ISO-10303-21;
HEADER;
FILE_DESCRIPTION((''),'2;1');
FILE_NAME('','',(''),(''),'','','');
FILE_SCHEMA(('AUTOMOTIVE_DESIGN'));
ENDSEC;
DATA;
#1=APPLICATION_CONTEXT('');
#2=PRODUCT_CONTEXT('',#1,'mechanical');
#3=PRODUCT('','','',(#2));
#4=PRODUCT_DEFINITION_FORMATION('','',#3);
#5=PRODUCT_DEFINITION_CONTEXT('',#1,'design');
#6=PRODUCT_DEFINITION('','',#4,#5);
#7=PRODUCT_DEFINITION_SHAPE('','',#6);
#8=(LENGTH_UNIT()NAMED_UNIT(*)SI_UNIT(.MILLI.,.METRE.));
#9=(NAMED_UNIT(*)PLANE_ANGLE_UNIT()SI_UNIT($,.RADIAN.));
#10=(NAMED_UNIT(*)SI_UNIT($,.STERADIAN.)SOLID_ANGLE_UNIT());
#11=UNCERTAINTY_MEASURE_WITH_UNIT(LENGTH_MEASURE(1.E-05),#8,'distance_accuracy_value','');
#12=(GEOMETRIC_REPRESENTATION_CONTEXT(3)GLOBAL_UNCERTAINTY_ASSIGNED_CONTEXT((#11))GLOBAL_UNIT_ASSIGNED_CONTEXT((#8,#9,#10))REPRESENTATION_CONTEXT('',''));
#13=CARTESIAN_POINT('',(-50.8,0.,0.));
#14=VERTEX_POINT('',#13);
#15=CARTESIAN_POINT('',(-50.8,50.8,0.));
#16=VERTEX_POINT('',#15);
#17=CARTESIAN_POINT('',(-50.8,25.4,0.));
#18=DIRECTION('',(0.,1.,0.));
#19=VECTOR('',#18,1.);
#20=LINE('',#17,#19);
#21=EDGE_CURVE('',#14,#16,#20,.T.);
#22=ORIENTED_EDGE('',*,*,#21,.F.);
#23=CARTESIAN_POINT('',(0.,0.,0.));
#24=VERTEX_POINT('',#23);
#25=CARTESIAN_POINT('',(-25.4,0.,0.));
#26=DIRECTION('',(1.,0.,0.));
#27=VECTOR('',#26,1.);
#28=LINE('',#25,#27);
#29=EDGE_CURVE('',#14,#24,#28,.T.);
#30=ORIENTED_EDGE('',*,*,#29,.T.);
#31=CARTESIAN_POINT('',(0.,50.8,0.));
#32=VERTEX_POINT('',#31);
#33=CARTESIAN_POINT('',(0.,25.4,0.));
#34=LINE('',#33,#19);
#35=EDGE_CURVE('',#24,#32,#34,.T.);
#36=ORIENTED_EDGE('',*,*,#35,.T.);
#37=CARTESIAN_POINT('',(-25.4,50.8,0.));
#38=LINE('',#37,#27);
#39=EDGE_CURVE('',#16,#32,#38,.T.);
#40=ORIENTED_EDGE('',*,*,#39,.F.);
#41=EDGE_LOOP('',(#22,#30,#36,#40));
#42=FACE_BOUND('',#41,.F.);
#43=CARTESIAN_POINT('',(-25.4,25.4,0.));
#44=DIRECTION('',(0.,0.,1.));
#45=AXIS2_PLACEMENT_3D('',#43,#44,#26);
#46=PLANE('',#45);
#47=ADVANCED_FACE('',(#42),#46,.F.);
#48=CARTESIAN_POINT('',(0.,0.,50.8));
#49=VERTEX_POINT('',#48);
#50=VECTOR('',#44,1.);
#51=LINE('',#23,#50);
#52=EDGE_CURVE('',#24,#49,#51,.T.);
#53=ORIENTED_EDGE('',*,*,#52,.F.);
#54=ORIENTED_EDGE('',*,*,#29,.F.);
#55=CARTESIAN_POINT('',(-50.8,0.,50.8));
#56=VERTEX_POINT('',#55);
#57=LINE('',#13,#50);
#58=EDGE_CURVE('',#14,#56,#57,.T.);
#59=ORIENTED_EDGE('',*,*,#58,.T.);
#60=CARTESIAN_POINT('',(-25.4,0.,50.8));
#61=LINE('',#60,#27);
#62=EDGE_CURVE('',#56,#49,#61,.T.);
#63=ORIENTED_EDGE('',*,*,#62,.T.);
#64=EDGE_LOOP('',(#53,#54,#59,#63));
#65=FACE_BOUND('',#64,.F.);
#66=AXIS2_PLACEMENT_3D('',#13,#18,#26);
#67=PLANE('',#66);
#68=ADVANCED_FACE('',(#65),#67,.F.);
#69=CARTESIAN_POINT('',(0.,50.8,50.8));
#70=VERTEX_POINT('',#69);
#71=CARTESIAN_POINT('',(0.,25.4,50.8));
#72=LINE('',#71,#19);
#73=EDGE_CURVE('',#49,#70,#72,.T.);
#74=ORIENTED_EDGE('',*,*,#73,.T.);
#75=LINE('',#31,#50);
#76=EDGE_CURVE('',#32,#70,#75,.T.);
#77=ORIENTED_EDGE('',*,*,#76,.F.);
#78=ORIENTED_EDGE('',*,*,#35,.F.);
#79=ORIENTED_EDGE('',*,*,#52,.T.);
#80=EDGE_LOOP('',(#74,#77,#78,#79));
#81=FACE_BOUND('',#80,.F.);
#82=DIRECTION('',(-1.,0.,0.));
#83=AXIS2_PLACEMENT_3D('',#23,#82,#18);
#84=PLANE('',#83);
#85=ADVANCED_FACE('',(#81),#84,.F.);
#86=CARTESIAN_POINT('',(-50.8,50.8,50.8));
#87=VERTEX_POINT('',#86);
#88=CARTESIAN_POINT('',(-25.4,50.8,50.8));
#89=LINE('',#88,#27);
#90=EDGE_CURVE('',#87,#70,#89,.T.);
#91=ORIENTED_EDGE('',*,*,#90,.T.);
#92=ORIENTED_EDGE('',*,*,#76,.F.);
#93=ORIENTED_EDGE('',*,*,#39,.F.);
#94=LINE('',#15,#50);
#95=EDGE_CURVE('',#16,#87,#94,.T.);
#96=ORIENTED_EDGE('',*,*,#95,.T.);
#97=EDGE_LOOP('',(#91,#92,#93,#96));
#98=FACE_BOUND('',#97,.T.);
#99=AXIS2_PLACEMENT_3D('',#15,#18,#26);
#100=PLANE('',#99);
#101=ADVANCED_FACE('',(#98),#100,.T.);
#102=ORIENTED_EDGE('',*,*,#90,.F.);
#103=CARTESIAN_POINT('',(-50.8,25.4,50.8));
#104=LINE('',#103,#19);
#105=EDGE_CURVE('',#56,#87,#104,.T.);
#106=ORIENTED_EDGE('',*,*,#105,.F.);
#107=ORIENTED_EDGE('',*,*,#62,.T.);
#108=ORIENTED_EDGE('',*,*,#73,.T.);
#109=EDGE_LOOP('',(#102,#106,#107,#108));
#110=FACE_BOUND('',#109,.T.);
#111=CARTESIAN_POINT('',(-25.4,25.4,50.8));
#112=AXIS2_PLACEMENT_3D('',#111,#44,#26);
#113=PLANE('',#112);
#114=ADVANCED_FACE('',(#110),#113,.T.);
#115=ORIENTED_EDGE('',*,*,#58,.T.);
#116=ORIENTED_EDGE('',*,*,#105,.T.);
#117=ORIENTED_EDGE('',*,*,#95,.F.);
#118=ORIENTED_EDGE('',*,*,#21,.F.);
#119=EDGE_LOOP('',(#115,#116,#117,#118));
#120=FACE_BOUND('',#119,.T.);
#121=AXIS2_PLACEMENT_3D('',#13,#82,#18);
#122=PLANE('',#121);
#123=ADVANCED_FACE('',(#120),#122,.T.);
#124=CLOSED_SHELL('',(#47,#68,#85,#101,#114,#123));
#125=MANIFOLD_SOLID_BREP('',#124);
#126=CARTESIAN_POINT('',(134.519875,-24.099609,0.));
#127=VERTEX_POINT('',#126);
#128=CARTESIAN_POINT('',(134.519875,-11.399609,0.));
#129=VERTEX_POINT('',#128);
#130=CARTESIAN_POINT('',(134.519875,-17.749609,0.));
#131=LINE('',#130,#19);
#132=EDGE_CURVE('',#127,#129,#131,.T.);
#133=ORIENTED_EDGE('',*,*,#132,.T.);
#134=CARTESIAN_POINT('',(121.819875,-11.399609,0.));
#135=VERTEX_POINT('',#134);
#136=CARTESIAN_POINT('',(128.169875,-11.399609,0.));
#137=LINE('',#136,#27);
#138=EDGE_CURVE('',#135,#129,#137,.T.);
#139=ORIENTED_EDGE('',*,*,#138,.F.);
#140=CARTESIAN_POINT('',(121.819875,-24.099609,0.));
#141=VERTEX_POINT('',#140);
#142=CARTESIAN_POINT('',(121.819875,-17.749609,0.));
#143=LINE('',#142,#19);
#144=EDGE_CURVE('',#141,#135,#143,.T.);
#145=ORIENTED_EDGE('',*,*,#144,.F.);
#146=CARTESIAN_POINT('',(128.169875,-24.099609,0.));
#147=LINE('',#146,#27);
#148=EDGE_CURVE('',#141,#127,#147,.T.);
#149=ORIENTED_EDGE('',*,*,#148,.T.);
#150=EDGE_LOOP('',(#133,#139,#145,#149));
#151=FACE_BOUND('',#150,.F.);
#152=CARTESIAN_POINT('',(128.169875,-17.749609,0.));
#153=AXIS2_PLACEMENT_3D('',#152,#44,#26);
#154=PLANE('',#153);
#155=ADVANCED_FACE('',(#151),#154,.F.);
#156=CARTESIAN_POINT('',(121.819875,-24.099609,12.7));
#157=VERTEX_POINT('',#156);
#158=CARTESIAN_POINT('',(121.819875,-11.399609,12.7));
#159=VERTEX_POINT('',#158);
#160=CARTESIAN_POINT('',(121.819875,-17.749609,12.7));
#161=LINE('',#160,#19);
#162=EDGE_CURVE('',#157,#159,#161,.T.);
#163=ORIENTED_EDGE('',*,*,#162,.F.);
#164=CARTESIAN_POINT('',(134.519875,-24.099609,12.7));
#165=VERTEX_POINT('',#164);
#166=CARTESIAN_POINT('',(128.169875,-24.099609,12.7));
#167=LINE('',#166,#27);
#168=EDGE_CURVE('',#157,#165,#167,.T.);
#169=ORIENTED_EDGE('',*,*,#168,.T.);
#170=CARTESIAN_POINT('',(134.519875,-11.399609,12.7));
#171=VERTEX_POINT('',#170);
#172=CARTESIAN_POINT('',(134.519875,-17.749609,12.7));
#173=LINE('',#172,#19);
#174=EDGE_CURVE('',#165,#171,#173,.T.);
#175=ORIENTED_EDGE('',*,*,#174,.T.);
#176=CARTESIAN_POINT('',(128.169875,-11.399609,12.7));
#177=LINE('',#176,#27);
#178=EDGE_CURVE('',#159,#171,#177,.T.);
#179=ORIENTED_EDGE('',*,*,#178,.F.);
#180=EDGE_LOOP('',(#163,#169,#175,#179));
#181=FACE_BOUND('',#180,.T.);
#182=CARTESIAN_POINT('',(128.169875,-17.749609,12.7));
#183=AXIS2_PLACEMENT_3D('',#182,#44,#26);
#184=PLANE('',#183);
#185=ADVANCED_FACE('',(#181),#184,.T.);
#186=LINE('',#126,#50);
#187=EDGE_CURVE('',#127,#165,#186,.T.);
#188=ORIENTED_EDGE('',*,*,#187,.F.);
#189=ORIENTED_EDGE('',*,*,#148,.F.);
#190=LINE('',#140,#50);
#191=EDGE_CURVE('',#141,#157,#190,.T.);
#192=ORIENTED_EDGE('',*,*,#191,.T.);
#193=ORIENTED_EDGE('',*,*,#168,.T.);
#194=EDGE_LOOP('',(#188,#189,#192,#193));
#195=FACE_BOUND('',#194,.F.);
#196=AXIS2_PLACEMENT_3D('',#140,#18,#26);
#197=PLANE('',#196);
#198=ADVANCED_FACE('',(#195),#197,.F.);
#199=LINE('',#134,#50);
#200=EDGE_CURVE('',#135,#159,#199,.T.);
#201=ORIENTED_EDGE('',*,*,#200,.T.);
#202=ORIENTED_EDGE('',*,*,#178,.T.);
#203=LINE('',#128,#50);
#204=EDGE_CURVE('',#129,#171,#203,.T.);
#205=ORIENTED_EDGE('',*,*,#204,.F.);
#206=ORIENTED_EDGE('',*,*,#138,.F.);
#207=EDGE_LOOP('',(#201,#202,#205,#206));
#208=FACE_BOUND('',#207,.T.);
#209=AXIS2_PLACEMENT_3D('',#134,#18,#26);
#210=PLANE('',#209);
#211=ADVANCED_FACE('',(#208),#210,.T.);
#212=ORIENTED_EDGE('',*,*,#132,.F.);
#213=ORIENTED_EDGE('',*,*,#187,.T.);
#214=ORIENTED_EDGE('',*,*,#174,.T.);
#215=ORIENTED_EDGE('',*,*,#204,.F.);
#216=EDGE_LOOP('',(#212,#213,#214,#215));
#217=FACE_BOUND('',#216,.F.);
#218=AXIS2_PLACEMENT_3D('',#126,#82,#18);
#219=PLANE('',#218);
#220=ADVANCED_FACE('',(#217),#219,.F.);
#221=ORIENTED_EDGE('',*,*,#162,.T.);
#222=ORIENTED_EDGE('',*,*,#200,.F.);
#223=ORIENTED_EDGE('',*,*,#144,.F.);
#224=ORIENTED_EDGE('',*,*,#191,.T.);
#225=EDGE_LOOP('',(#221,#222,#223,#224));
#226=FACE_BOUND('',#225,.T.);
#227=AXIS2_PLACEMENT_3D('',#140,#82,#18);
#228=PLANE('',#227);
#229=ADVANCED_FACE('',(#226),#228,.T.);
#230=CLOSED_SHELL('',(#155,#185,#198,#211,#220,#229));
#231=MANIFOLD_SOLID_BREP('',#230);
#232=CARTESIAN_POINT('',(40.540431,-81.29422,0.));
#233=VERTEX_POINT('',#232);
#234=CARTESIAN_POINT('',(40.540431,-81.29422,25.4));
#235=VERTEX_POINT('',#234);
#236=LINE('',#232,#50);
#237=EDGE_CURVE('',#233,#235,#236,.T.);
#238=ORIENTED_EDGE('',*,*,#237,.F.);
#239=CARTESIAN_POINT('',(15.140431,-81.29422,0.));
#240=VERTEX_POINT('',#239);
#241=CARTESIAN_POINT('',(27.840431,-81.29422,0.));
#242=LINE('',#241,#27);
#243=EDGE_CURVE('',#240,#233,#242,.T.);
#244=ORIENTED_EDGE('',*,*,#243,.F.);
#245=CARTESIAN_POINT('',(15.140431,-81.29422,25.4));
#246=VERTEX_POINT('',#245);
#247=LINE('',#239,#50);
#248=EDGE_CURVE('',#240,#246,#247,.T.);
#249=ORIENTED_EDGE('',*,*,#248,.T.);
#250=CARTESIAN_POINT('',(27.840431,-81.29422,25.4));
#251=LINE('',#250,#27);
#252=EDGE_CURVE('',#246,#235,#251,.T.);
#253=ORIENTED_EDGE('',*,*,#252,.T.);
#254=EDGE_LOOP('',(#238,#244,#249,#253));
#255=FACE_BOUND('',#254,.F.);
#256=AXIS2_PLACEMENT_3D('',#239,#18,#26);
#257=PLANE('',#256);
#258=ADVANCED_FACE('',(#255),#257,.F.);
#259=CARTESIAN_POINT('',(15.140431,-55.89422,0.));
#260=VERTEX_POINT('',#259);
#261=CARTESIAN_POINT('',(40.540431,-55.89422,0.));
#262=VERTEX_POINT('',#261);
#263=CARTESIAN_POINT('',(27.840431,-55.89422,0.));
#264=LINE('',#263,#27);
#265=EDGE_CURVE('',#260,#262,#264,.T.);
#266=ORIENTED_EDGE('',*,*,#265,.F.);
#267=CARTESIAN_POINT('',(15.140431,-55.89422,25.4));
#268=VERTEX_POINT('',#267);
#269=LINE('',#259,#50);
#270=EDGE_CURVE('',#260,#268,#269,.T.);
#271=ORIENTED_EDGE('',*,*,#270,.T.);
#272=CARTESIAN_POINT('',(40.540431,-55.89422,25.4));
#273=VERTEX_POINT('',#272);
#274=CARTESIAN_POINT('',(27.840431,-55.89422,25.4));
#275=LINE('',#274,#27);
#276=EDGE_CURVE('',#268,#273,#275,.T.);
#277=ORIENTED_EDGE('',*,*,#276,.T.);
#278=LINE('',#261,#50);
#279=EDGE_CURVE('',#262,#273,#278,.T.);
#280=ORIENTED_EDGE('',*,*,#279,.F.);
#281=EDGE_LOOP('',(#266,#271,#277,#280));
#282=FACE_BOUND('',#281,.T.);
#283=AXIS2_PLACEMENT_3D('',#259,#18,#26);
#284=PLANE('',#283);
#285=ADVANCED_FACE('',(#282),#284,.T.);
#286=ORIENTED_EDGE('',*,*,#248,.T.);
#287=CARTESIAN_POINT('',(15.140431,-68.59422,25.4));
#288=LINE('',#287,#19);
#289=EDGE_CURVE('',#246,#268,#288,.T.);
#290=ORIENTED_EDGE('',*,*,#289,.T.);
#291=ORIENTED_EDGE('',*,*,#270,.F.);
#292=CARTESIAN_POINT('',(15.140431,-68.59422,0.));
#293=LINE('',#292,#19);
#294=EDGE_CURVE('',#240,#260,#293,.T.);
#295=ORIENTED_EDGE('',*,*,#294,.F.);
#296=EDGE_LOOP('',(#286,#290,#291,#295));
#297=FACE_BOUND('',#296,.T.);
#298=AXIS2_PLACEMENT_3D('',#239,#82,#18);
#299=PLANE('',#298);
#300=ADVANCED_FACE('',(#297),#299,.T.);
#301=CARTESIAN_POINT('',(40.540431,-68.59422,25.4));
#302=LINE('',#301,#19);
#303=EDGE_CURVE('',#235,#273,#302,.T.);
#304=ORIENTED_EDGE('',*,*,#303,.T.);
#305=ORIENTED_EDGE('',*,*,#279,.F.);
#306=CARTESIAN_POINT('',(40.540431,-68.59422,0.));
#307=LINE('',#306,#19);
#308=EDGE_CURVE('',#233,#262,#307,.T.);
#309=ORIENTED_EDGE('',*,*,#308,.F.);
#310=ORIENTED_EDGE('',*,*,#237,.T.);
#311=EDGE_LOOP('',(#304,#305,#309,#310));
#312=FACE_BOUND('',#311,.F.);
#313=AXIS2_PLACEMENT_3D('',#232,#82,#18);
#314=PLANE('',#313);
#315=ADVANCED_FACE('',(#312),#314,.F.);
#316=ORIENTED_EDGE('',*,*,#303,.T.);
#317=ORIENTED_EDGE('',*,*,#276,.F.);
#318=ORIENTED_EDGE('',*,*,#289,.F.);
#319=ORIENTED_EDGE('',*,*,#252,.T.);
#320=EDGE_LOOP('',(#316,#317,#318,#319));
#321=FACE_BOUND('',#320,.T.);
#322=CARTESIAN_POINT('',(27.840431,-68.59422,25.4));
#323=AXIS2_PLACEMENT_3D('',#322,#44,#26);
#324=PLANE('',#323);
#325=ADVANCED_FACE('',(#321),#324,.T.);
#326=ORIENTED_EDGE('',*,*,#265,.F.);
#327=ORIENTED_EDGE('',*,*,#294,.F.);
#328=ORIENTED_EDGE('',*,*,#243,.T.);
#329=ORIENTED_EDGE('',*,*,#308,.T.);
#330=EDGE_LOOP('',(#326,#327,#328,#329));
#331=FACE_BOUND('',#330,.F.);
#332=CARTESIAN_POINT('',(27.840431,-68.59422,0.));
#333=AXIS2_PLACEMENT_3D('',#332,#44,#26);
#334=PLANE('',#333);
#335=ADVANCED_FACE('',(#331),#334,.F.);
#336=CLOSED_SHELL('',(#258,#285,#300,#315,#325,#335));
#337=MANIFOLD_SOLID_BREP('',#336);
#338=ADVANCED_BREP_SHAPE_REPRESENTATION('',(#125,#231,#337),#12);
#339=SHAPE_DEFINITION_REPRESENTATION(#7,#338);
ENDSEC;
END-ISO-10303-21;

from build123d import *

# Parameters (mm, degrees)
F0_W     = 50.8
F0_H     = 50.8
F1_DEPTH = 50.8
F2_W     = 25.4
F2_H     = 25.4
F3_DEPTH = 25.4
F4_W     = 12.7
F4_H     = 12.7
F5_DEPTH = 12.7


with BuildPart() as f1:
    # F0 (on Top) → F1 (new body)
    with BuildSketch(Plane.XY):
        with Locations((-25.4, 25.4)):
            Rectangle(F0_W, F0_H)
    extrude(amount=F1_DEPTH)


with BuildPart() as f3:
    # F2 (on Top) → F3 (new body)
    with BuildSketch(Plane.XY):
        with Locations((27.840431, -68.59422)):
            Rectangle(F2_W, F2_H)
    extrude(amount=F3_DEPTH)


with BuildPart() as f5:
    # F4 (on Top) → F5 (new body)
    with BuildSketch(Plane.XY):
        with Locations((128.169875, -17.749609)):
            Rectangle(F4_W, F4_H)
    extrude(amount=F5_DEPTH)


solid = Compound([f1.part, f3.part, f5.part])
